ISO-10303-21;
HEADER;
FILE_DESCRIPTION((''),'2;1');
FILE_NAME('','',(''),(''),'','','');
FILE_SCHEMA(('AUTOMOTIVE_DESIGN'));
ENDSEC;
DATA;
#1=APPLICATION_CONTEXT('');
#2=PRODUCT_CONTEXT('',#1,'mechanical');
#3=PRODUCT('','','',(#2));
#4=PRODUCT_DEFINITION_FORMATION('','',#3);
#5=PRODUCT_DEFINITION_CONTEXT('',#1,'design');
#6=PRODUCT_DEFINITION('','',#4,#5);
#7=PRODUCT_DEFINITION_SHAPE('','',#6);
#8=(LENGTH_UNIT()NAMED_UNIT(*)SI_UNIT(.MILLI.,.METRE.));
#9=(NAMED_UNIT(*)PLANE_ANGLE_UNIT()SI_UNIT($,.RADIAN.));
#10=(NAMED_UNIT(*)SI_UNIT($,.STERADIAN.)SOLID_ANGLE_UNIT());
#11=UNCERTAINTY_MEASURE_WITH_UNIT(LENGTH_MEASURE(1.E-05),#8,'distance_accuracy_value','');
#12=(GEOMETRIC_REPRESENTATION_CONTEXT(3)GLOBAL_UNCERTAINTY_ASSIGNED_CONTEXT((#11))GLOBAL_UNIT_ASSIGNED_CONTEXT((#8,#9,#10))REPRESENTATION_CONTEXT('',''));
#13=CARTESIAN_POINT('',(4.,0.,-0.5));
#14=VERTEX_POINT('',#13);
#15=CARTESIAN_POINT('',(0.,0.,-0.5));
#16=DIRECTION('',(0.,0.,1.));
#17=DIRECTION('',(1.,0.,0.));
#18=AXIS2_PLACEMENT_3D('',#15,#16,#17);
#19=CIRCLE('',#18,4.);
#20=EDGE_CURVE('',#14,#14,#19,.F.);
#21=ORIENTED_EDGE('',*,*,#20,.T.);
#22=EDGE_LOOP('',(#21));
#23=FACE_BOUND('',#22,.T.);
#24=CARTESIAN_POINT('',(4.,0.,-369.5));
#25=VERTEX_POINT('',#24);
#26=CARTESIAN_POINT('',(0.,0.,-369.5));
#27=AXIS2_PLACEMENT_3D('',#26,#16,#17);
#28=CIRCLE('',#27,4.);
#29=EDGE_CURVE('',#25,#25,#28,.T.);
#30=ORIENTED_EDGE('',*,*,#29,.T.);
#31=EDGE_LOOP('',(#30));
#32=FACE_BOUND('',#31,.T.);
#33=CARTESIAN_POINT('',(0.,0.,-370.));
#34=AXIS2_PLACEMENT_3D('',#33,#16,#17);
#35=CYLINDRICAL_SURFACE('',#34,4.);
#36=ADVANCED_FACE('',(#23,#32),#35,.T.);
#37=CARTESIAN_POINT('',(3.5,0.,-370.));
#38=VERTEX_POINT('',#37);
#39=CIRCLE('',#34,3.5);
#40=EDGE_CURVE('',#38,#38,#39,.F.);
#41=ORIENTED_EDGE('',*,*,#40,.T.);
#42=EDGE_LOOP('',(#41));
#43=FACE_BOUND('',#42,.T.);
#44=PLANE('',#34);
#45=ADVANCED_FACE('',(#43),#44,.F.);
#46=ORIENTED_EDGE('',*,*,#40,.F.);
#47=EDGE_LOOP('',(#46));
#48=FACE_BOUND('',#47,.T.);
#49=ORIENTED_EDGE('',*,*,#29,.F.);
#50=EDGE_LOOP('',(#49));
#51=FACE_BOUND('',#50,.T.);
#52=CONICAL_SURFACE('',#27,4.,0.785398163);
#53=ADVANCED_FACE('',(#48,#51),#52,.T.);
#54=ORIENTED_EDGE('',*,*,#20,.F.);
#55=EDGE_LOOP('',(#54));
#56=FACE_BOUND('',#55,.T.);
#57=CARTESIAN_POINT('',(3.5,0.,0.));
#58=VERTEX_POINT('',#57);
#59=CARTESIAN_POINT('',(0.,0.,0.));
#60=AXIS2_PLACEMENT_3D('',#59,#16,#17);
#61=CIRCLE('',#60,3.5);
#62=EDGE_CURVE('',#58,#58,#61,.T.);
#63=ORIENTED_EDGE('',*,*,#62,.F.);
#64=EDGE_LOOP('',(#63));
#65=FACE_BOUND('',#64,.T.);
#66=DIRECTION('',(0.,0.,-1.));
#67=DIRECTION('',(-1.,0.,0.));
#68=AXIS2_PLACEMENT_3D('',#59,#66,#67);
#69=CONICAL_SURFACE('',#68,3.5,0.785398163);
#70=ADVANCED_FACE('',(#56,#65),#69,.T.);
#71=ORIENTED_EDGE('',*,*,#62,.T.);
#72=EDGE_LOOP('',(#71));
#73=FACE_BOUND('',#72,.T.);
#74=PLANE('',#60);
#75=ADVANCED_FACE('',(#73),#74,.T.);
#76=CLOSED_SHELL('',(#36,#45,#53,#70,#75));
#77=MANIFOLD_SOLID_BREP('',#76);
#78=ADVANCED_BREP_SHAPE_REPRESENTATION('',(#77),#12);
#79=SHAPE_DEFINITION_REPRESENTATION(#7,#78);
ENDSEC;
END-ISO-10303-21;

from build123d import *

# Parameters (mm, degrees)
SKETCH1_R           = 4
BOSS_EXTRUDE1_DEPTH = 370
CHAMFER1_SIZE       = 0.5


with BuildPart() as part:
    # Sketch1 → Boss-Extrude1 (new body)
    with BuildSketch(Plane.XY):
        Circle(SKETCH1_R)
    extrude(amount=-BOSS_EXTRUDE1_DEPTH)

    # Chamfer1
    chamfer1_edges = [part.edges().sort_by_distance(p)[0] for p in [
        (-4, 0, 0),
        (-4, 0, -370),
    ]]
    chamfer(chamfer1_edges, length=CHAMFER1_SIZE)


solid = part.part
